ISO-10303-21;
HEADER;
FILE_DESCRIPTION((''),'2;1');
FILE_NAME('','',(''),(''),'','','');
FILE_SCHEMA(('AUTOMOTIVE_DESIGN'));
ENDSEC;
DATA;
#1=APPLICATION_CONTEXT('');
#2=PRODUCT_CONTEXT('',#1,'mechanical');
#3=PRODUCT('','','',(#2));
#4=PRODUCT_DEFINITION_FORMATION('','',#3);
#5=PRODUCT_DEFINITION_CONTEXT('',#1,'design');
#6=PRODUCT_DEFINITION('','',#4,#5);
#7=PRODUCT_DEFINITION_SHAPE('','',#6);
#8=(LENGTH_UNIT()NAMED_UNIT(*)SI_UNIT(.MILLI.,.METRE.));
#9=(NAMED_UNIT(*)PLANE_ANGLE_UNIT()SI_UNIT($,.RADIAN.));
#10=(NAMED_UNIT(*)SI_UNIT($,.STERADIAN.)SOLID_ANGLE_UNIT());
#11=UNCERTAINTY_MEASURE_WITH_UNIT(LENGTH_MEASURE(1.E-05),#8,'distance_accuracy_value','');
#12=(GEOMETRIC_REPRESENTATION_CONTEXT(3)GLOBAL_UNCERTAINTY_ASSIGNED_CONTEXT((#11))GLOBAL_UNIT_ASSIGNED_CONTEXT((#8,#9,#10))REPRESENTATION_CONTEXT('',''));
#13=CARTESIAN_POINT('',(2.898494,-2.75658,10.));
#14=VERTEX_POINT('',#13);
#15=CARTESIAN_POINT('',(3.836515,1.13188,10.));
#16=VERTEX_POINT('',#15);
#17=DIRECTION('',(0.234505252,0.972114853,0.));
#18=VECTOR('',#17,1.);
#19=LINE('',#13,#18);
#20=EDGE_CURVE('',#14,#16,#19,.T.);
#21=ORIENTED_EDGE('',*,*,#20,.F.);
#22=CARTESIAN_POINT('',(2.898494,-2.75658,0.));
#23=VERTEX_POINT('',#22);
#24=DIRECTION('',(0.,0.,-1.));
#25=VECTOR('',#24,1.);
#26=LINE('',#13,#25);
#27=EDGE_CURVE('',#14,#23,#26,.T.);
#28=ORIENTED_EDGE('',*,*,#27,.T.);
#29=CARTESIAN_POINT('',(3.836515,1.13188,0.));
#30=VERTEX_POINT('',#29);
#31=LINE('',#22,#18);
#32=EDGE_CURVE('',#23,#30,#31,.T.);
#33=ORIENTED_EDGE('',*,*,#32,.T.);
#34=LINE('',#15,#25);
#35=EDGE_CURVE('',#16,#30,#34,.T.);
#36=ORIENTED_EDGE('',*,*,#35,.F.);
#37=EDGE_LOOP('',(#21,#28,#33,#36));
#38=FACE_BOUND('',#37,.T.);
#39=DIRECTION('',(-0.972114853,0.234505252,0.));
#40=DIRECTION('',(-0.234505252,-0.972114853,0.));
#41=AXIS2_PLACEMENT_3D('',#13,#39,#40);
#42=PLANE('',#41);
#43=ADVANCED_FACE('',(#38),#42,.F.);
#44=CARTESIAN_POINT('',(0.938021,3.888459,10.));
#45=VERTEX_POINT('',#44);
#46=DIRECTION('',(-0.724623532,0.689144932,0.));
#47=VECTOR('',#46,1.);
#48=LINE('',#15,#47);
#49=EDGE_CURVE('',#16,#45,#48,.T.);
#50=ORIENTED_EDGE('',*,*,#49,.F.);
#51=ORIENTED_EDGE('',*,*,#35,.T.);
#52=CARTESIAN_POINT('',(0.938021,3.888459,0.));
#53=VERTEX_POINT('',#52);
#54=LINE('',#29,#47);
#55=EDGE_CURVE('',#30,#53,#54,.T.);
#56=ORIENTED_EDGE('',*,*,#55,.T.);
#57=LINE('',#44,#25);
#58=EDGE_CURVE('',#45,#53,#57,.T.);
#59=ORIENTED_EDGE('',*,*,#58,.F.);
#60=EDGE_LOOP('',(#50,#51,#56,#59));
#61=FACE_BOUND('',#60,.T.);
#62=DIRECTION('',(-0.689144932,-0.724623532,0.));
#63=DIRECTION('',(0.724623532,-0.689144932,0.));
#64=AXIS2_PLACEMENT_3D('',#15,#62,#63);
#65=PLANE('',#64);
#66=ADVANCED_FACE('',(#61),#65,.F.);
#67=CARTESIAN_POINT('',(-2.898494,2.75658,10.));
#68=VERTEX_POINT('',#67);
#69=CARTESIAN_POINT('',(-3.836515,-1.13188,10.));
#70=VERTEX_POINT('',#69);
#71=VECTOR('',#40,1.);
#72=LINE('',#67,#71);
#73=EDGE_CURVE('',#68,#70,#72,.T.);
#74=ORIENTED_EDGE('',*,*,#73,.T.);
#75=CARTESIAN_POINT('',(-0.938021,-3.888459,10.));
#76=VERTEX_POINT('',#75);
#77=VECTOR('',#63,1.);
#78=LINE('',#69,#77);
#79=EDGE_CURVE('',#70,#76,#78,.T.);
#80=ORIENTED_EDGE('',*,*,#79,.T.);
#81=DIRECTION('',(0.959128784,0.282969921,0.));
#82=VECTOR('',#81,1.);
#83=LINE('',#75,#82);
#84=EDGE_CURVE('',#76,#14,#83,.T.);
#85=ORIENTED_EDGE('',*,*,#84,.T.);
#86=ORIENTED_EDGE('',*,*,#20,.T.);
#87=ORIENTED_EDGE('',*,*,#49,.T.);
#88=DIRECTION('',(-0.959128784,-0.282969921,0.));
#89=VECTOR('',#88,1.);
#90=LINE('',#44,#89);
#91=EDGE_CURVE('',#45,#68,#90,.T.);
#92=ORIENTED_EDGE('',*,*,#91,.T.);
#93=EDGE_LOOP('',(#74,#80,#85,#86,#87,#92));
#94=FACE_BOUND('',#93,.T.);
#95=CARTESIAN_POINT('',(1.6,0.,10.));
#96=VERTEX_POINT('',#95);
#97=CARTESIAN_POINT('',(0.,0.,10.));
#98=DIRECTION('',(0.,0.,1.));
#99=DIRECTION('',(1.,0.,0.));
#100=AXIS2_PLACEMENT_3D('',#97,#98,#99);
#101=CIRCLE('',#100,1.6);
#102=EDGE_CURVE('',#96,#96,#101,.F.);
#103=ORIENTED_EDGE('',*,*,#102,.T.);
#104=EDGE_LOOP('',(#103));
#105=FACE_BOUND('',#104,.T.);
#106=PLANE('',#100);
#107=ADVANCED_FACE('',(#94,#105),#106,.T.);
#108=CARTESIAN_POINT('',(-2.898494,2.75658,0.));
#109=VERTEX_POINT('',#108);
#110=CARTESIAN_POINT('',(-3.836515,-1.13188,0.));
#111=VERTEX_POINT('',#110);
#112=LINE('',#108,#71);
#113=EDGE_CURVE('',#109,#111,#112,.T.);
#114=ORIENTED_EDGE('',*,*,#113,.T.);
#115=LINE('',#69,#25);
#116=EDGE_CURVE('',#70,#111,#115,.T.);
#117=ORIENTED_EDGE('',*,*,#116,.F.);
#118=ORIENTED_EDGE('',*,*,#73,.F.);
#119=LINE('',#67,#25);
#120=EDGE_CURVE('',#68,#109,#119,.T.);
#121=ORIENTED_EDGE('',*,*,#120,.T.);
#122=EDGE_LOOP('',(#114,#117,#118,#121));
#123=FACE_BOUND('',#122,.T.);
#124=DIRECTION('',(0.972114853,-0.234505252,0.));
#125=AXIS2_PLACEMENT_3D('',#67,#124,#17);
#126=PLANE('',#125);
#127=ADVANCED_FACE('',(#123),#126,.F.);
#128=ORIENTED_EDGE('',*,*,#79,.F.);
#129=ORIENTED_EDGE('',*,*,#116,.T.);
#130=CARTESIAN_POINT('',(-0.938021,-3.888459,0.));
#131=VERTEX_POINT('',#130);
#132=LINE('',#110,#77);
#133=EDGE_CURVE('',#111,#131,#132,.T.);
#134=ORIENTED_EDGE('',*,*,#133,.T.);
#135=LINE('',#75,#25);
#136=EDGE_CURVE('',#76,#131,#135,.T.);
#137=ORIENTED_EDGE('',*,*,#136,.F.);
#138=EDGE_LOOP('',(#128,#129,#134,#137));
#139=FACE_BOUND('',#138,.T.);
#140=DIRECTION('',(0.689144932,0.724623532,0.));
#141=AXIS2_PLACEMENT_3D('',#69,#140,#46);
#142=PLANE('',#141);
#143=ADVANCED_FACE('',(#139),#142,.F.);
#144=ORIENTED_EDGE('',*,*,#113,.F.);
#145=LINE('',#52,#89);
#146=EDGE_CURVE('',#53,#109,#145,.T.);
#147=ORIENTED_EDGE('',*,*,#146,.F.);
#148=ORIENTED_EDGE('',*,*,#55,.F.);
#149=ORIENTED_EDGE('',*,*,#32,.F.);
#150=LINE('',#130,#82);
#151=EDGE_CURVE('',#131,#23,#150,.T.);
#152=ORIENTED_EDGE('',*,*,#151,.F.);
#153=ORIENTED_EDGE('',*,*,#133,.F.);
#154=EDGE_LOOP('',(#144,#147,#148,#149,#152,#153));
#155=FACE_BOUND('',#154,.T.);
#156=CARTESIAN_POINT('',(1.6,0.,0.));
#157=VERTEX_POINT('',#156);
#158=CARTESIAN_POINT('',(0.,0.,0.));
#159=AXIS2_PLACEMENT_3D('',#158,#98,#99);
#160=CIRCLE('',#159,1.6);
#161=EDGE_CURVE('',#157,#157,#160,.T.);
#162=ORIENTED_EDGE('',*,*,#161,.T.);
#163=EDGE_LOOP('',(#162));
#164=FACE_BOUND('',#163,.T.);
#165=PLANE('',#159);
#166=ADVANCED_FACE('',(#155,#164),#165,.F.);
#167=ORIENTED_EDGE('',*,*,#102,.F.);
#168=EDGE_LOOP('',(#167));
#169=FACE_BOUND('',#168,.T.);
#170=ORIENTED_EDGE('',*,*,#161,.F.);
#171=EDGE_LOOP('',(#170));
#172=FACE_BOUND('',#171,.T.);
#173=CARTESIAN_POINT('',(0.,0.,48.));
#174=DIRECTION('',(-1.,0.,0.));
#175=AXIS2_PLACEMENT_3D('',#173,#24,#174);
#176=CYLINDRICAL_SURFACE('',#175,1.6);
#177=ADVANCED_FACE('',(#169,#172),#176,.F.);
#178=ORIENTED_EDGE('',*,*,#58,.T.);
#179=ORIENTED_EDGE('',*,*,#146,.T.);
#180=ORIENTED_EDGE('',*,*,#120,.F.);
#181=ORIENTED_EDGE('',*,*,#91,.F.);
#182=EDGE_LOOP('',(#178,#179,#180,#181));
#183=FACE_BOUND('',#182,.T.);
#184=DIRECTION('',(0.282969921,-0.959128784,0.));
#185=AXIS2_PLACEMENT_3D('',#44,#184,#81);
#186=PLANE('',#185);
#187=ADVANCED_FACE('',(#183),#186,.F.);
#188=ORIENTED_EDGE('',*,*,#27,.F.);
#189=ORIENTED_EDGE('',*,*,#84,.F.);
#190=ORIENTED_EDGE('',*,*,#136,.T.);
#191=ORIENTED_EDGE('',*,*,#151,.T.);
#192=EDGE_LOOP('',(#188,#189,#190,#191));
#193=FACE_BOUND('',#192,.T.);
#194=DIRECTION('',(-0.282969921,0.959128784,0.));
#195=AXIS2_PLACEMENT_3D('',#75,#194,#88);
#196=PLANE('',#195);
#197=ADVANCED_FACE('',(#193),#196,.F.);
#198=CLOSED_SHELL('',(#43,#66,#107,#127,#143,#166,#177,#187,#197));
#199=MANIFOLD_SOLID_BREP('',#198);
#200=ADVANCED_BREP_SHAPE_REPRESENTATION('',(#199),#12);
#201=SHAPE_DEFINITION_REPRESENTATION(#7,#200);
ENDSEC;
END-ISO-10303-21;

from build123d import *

# Parameters (mm, degrees)
EXTRUDE_1_DEPTH     = 10
SKETCH_2_R          = 1.6
CUT_EXTRUDE_1_DEPTH = 48


with BuildPart() as part:
    # 草图1 → 凸台-拉伸1 (new body)
    with BuildSketch(Plane.XY):
        Polygon((2.898494128, -2.756579727), (3.836515135, 1.131879684), (0.938021007, 3.888459411), (-2.898494128, 2.756579727), (-3.836515135, -1.131879684), (-0.938021007, -3.888459411), align=None)
    extrude(amount=EXTRUDE_1_DEPTH)

    # 草图2 → 切除-拉伸1 (cut)
    with BuildSketch(Plane.XY):
        Circle(SKETCH_2_R)
    extrude(amount=CUT_EXTRUDE_1_DEPTH, mode=Mode.SUBTRACT)


solid = part.part
